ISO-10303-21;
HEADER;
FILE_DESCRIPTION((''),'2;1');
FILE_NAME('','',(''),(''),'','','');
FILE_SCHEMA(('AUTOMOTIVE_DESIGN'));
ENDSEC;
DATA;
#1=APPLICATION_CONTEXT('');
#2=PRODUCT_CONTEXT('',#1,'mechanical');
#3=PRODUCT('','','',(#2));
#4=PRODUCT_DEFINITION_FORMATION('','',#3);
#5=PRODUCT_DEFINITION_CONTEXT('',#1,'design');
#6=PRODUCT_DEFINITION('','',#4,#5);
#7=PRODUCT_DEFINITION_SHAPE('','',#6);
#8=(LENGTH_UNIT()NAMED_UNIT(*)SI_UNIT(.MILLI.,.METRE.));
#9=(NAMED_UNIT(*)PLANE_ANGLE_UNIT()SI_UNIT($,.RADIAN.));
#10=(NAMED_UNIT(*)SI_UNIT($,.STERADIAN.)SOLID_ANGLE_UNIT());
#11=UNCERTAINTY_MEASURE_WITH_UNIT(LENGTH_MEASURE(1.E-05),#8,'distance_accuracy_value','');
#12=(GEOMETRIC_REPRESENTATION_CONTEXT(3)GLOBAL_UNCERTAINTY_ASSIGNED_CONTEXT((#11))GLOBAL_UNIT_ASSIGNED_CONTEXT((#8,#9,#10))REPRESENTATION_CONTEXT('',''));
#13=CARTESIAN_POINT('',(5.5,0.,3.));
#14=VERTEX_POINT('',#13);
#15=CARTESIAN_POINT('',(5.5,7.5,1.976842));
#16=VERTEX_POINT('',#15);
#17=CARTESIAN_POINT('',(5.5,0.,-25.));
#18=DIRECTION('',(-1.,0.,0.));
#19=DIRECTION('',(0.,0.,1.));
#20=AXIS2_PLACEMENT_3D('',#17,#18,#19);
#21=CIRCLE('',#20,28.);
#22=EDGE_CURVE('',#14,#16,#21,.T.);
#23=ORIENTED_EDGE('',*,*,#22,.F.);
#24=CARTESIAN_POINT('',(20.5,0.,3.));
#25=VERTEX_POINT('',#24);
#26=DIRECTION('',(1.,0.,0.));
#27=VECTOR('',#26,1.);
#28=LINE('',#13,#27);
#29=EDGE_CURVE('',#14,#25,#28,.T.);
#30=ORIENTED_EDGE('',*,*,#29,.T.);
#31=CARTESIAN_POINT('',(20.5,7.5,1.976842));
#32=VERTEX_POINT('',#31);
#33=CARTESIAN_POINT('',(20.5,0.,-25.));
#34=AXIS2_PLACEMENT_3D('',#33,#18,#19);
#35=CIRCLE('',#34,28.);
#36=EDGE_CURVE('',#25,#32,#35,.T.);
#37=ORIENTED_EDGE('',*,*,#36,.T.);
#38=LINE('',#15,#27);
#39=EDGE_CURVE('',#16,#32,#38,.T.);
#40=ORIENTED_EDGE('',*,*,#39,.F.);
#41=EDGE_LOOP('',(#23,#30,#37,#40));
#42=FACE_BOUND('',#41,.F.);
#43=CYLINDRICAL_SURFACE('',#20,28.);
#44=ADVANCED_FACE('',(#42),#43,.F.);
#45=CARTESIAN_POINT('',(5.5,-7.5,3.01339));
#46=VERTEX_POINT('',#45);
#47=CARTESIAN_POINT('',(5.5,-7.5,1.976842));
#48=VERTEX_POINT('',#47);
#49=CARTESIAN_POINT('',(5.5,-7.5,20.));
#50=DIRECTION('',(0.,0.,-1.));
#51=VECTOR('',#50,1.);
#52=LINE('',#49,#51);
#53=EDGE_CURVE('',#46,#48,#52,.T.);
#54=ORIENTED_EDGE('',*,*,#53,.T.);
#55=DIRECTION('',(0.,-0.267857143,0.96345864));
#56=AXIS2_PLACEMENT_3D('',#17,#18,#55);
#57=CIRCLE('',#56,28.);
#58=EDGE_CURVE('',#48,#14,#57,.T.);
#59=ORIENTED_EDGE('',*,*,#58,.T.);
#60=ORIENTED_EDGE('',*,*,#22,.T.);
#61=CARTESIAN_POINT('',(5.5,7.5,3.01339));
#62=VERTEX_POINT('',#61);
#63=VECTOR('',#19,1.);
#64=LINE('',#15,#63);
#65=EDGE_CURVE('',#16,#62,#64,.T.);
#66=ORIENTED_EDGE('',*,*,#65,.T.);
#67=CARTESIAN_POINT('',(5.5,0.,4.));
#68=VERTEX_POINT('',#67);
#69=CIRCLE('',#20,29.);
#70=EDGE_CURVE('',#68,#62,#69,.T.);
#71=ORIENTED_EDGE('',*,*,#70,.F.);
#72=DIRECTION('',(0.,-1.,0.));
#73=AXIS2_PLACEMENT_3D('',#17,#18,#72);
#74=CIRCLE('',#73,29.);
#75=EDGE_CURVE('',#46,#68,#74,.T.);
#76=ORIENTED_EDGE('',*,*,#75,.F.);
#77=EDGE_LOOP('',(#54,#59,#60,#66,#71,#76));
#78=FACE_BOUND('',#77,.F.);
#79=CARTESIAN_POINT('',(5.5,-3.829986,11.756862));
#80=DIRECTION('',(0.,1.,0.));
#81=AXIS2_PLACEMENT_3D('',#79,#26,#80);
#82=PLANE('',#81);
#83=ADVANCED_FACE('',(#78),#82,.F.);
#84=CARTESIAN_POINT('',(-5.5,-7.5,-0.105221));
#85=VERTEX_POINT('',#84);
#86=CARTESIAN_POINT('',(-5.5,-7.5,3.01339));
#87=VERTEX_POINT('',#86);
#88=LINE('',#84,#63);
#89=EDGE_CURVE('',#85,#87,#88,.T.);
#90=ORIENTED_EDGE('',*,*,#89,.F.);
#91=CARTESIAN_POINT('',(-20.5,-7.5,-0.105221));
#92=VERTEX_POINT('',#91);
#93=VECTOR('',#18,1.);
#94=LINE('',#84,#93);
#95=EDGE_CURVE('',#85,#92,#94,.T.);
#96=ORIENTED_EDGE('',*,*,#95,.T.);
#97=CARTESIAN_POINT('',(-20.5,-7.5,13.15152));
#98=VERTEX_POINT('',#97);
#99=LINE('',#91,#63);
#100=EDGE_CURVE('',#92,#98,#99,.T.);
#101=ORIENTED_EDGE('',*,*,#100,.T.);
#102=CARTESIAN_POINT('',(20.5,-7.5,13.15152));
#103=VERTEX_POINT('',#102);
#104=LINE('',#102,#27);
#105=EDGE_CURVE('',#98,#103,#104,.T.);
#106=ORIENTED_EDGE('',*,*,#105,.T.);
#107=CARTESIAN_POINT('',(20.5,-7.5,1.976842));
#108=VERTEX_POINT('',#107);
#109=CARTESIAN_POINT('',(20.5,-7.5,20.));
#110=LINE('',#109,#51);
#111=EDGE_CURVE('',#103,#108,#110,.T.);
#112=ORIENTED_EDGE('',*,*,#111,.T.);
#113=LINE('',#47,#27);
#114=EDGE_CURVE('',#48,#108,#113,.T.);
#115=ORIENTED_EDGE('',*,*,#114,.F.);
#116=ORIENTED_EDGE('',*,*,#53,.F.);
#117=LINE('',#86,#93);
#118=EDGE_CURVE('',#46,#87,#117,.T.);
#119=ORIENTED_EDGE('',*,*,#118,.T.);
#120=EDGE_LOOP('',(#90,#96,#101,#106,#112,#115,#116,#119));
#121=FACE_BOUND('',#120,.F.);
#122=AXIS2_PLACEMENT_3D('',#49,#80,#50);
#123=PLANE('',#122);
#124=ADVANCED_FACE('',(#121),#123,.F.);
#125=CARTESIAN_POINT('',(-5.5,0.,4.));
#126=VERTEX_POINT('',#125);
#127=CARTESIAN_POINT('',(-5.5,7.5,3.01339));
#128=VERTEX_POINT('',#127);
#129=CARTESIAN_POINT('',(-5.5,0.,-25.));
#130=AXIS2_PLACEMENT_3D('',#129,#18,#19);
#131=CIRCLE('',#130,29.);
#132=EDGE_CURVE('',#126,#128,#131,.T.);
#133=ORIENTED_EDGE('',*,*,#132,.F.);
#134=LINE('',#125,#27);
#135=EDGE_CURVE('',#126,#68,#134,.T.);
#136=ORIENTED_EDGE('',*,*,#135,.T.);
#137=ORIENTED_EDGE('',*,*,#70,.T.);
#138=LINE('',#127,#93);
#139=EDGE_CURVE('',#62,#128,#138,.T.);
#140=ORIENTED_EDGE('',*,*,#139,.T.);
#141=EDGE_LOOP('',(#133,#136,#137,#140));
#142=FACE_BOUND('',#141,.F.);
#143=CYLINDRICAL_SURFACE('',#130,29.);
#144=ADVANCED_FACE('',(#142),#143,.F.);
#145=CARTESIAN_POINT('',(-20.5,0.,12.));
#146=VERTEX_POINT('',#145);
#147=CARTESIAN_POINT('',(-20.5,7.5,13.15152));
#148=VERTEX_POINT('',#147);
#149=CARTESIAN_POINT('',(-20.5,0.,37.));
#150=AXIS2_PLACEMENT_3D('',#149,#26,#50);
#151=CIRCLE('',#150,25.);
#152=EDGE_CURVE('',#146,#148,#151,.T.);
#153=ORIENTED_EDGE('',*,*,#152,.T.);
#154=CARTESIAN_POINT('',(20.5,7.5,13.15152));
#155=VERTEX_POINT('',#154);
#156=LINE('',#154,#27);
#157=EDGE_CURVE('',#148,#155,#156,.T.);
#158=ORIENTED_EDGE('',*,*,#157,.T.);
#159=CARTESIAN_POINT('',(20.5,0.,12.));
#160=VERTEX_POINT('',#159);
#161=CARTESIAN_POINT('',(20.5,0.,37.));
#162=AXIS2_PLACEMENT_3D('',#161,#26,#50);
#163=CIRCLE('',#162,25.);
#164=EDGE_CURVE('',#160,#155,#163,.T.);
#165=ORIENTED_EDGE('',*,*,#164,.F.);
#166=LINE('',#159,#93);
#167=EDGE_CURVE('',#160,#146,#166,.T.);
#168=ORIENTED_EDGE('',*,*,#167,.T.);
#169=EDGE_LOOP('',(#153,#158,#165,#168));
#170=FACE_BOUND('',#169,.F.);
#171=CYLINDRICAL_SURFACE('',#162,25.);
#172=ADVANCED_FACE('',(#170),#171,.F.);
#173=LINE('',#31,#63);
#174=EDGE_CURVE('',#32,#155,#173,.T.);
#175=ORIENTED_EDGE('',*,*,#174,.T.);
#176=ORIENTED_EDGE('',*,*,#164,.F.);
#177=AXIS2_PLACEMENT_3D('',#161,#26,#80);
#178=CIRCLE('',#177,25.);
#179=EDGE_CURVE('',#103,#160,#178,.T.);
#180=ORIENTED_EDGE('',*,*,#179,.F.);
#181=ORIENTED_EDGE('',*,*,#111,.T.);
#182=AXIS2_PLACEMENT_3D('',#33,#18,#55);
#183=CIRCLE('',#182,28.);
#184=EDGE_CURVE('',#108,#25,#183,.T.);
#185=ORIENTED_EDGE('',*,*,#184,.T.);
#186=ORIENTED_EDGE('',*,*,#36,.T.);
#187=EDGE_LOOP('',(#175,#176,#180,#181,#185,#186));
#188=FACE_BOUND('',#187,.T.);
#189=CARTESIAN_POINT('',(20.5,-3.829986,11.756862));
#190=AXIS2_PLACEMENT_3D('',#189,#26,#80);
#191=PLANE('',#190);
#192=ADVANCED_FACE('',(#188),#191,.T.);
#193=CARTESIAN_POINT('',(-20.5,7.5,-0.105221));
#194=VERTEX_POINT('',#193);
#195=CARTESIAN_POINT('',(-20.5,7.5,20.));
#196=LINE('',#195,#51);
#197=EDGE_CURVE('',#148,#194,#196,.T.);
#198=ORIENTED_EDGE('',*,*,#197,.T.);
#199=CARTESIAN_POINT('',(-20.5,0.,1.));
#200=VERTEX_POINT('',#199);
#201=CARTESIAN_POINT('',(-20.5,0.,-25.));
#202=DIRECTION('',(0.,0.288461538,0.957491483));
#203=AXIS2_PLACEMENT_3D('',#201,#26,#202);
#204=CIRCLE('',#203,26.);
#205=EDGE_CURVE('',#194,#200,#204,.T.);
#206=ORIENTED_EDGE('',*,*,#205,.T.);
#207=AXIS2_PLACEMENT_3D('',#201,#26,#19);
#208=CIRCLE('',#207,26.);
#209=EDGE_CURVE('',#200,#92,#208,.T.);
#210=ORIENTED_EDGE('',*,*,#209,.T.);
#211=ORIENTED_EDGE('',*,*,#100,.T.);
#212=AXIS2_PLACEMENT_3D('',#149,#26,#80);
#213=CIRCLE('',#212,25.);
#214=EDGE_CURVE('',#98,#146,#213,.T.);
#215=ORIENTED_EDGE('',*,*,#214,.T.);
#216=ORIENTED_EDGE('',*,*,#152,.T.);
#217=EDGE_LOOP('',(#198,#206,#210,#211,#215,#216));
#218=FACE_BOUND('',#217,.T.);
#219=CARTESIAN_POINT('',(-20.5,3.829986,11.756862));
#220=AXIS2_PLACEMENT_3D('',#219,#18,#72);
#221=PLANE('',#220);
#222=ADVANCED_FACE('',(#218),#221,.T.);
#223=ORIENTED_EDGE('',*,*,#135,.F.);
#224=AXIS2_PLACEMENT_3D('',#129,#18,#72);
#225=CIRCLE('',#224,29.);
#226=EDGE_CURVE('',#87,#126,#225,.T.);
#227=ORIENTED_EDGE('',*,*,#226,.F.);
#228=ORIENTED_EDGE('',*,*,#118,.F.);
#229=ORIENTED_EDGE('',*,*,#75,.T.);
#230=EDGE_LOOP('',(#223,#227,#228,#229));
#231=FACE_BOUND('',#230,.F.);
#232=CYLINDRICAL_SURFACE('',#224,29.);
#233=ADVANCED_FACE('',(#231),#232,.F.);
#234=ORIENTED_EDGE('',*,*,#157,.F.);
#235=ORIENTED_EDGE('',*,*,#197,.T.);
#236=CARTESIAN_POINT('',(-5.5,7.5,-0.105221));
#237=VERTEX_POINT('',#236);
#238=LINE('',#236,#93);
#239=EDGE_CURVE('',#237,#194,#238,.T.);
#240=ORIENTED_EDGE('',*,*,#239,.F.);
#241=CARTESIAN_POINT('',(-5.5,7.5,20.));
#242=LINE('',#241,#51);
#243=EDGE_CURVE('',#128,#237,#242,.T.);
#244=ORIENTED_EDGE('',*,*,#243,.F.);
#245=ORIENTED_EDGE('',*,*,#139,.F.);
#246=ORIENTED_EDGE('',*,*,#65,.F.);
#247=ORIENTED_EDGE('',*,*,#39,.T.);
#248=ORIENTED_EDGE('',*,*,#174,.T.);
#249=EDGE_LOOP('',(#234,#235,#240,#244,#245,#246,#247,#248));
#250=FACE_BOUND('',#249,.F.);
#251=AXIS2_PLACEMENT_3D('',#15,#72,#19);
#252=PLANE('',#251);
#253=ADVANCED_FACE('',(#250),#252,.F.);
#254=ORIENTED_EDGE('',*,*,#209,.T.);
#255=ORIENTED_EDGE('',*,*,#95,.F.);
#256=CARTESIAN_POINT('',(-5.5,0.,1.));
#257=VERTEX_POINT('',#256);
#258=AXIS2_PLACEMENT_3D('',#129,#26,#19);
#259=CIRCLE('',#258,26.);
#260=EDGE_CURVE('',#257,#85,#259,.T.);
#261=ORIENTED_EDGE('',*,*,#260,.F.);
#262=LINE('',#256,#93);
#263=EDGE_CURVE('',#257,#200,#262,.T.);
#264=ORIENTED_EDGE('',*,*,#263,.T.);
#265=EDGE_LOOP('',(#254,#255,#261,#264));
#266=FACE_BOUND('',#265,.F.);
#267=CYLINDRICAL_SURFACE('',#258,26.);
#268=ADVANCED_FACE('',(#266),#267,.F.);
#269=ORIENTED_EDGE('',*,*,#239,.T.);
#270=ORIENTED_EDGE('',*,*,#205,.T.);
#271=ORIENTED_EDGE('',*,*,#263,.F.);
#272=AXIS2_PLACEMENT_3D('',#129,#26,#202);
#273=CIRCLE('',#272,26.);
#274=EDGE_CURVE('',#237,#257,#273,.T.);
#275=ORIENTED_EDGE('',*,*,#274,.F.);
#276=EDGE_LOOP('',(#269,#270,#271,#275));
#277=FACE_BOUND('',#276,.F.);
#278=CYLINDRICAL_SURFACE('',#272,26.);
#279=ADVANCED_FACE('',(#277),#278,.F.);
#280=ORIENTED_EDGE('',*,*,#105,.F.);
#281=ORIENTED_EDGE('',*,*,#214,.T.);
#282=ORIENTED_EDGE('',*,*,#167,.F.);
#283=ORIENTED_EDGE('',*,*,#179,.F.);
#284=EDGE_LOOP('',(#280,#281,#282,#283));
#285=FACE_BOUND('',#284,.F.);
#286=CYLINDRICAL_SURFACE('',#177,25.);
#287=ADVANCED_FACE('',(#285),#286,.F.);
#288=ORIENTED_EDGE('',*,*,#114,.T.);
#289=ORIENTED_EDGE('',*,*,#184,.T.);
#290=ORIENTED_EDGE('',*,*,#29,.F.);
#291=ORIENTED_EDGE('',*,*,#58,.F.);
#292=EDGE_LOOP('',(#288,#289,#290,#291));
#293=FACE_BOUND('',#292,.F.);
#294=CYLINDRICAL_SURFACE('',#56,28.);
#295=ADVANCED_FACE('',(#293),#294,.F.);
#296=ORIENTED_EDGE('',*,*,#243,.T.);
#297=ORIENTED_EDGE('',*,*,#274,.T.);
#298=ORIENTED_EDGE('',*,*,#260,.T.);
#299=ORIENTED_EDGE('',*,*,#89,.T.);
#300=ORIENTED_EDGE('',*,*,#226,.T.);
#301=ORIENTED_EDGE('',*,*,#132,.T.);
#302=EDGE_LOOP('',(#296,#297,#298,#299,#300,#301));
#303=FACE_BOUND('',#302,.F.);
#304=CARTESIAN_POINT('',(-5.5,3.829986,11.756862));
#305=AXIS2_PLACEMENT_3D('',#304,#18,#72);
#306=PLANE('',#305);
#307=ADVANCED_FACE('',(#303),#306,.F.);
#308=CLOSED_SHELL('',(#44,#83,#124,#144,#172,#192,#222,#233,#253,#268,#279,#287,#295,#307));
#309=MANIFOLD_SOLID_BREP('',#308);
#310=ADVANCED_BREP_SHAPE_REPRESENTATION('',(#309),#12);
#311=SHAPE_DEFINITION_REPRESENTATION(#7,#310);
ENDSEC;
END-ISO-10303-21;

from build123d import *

# Parameters (mm, degrees)
F0_W     = 11
F0_H     = 15
F1_DEPTH = 20
F3_DEPTH = 11
F5_DEPTH = 15
F7_DEPTH = 15
F9_DEPTH = 54.1


with BuildPart() as f1:
    # F0 (on Top) → F1 (new body)
    with BuildSketch(Plane.XY):
        Rectangle(F0_W, F0_H)
    extrude(amount=F1_DEPTH)

    # F2 (on face) → F3 (cut)
    with BuildSketch(Plane(origin=(-5.5, 0, 0), x_dir=(0, -1, 0), z_dir=(-1, 0, 0))):
        with BuildLine():
            ThreePointArc((0, 4), (-20.5060966544, -45.5060966544), (29, -25))
            ThreePointArc((29, -25), (20.5060966544, -4.4939033456), (0, 4))
        make_face()
    extrude(amount=-F3_DEPTH, mode=Mode.SUBTRACT)

    # F4 (on face) → F5 (join)
    with BuildSketch(Plane(origin=(-5.5, 0, 0), x_dir=(0, -1, 0), z_dir=(-1, 0, 0))):
        with BuildLine():
            Line((0, 20), (-7.5, 20))
            Line((-7.5, 20), (-7.5, 3.0133896557))
            ThreePointArc((-7.5, 3.0133896557), (-3.7823074958, 3.7522894742), (0, 4))
            Line((0, 4), (0, 20))
        make_face()
        with BuildLine():
            Line((7.5, 20), (0, 20))
            Line((0, 20), (0, 4))
            ThreePointArc((0, 4), (3.7823074958, 3.7522894742), (7.5, 3.0133896557))
            Line((7.5, 3.0133896557), (7.5, 20))
        make_face()
        with BuildLine():
            ThreePointArc((0, 4), (-3.7823074958, 3.7522894742), (-7.5, 3.0133896557))
            Line((-7.5, 3.0133896557), (-7.5, -0.105221431))
            ThreePointArc((-7.5, -0.105221431), (-3.7904984636, 0.7222106631), (0, 1))
            Line((0, 1), (0, 4))
        make_face()
        with BuildLine():
            ThreePointArc((7.5, 3.0133896557), (3.7823074958, 3.7522894742), (0, 4))
            Line((0, 4), (0, 1))
            ThreePointArc((0, 1), (3.7904984636, 0.7222106631), (7.5, -0.105221431))
            Line((7.5, -0.105221431), (7.5, 3.0133896557))
        make_face()
    extrude(amount=F5_DEPTH)

    # F6 (on face) → F7 (join)
    with BuildSketch(Plane.YZ.offset(5.5)):
        with BuildLine():
            Line((0, 20), (-7.5, 20))
            Line((-7.5, 20), (-7.5, 3.0133896557))
            ThreePointArc((-7.5, 3.0133896557), (-3.7823074958, 3.7522894742), (0, 4))
            Line((0, 4), (0, 20))
        make_face()
        with BuildLine():
            ThreePointArc((0, 4), (-3.7823074958, 3.7522894742), (-7.5, 3.0133896557))
            Line((-7.5, 3.0133896557), (-7.5, 1.9768419204))
            ThreePointArc((-7.5, 1.9768419204), (-3.7847342197, 2.7430313211), (0, 3))
            Line((0, 3), (0, 4))
        make_face()
        with BuildLine():
            ThreePointArc((7.5, 3.0133896557), (3.7823074958, 3.7522894742), (0, 4))
            Line((0, 4), (0, 3))
            ThreePointArc((0, 3), (3.7847342197, 2.7430313211), (7.5, 1.9768419204))
            Line((7.5, 1.9768419204), (7.5, 3.0133896557))
        make_face()
        with BuildLine():
            Line((7.5, 20), (0, 20))
            Line((0, 20), (0, 4))
            ThreePointArc((0, 4), (3.7823074958, 3.7522894742), (7.5, 3.0133896557))
            Line((7.5, 3.0133896557), (7.5, 20))
        make_face()
    extrude(amount=F7_DEPTH)

    # F8 (on face) → F9 (cut)
    with BuildSketch(Plane.YZ.offset(20.5)):
        with BuildLine():
            ThreePointArc((0, 12), (17.6776695297, 19.3223304703), (25, 37))
            ThreePointArc((25, 37), (-17.6776695297, 54.6776695297), (0, 12))
        make_face()
    extrude(amount=-F9_DEPTH, mode=Mode.SUBTRACT)


solid = f1.part
